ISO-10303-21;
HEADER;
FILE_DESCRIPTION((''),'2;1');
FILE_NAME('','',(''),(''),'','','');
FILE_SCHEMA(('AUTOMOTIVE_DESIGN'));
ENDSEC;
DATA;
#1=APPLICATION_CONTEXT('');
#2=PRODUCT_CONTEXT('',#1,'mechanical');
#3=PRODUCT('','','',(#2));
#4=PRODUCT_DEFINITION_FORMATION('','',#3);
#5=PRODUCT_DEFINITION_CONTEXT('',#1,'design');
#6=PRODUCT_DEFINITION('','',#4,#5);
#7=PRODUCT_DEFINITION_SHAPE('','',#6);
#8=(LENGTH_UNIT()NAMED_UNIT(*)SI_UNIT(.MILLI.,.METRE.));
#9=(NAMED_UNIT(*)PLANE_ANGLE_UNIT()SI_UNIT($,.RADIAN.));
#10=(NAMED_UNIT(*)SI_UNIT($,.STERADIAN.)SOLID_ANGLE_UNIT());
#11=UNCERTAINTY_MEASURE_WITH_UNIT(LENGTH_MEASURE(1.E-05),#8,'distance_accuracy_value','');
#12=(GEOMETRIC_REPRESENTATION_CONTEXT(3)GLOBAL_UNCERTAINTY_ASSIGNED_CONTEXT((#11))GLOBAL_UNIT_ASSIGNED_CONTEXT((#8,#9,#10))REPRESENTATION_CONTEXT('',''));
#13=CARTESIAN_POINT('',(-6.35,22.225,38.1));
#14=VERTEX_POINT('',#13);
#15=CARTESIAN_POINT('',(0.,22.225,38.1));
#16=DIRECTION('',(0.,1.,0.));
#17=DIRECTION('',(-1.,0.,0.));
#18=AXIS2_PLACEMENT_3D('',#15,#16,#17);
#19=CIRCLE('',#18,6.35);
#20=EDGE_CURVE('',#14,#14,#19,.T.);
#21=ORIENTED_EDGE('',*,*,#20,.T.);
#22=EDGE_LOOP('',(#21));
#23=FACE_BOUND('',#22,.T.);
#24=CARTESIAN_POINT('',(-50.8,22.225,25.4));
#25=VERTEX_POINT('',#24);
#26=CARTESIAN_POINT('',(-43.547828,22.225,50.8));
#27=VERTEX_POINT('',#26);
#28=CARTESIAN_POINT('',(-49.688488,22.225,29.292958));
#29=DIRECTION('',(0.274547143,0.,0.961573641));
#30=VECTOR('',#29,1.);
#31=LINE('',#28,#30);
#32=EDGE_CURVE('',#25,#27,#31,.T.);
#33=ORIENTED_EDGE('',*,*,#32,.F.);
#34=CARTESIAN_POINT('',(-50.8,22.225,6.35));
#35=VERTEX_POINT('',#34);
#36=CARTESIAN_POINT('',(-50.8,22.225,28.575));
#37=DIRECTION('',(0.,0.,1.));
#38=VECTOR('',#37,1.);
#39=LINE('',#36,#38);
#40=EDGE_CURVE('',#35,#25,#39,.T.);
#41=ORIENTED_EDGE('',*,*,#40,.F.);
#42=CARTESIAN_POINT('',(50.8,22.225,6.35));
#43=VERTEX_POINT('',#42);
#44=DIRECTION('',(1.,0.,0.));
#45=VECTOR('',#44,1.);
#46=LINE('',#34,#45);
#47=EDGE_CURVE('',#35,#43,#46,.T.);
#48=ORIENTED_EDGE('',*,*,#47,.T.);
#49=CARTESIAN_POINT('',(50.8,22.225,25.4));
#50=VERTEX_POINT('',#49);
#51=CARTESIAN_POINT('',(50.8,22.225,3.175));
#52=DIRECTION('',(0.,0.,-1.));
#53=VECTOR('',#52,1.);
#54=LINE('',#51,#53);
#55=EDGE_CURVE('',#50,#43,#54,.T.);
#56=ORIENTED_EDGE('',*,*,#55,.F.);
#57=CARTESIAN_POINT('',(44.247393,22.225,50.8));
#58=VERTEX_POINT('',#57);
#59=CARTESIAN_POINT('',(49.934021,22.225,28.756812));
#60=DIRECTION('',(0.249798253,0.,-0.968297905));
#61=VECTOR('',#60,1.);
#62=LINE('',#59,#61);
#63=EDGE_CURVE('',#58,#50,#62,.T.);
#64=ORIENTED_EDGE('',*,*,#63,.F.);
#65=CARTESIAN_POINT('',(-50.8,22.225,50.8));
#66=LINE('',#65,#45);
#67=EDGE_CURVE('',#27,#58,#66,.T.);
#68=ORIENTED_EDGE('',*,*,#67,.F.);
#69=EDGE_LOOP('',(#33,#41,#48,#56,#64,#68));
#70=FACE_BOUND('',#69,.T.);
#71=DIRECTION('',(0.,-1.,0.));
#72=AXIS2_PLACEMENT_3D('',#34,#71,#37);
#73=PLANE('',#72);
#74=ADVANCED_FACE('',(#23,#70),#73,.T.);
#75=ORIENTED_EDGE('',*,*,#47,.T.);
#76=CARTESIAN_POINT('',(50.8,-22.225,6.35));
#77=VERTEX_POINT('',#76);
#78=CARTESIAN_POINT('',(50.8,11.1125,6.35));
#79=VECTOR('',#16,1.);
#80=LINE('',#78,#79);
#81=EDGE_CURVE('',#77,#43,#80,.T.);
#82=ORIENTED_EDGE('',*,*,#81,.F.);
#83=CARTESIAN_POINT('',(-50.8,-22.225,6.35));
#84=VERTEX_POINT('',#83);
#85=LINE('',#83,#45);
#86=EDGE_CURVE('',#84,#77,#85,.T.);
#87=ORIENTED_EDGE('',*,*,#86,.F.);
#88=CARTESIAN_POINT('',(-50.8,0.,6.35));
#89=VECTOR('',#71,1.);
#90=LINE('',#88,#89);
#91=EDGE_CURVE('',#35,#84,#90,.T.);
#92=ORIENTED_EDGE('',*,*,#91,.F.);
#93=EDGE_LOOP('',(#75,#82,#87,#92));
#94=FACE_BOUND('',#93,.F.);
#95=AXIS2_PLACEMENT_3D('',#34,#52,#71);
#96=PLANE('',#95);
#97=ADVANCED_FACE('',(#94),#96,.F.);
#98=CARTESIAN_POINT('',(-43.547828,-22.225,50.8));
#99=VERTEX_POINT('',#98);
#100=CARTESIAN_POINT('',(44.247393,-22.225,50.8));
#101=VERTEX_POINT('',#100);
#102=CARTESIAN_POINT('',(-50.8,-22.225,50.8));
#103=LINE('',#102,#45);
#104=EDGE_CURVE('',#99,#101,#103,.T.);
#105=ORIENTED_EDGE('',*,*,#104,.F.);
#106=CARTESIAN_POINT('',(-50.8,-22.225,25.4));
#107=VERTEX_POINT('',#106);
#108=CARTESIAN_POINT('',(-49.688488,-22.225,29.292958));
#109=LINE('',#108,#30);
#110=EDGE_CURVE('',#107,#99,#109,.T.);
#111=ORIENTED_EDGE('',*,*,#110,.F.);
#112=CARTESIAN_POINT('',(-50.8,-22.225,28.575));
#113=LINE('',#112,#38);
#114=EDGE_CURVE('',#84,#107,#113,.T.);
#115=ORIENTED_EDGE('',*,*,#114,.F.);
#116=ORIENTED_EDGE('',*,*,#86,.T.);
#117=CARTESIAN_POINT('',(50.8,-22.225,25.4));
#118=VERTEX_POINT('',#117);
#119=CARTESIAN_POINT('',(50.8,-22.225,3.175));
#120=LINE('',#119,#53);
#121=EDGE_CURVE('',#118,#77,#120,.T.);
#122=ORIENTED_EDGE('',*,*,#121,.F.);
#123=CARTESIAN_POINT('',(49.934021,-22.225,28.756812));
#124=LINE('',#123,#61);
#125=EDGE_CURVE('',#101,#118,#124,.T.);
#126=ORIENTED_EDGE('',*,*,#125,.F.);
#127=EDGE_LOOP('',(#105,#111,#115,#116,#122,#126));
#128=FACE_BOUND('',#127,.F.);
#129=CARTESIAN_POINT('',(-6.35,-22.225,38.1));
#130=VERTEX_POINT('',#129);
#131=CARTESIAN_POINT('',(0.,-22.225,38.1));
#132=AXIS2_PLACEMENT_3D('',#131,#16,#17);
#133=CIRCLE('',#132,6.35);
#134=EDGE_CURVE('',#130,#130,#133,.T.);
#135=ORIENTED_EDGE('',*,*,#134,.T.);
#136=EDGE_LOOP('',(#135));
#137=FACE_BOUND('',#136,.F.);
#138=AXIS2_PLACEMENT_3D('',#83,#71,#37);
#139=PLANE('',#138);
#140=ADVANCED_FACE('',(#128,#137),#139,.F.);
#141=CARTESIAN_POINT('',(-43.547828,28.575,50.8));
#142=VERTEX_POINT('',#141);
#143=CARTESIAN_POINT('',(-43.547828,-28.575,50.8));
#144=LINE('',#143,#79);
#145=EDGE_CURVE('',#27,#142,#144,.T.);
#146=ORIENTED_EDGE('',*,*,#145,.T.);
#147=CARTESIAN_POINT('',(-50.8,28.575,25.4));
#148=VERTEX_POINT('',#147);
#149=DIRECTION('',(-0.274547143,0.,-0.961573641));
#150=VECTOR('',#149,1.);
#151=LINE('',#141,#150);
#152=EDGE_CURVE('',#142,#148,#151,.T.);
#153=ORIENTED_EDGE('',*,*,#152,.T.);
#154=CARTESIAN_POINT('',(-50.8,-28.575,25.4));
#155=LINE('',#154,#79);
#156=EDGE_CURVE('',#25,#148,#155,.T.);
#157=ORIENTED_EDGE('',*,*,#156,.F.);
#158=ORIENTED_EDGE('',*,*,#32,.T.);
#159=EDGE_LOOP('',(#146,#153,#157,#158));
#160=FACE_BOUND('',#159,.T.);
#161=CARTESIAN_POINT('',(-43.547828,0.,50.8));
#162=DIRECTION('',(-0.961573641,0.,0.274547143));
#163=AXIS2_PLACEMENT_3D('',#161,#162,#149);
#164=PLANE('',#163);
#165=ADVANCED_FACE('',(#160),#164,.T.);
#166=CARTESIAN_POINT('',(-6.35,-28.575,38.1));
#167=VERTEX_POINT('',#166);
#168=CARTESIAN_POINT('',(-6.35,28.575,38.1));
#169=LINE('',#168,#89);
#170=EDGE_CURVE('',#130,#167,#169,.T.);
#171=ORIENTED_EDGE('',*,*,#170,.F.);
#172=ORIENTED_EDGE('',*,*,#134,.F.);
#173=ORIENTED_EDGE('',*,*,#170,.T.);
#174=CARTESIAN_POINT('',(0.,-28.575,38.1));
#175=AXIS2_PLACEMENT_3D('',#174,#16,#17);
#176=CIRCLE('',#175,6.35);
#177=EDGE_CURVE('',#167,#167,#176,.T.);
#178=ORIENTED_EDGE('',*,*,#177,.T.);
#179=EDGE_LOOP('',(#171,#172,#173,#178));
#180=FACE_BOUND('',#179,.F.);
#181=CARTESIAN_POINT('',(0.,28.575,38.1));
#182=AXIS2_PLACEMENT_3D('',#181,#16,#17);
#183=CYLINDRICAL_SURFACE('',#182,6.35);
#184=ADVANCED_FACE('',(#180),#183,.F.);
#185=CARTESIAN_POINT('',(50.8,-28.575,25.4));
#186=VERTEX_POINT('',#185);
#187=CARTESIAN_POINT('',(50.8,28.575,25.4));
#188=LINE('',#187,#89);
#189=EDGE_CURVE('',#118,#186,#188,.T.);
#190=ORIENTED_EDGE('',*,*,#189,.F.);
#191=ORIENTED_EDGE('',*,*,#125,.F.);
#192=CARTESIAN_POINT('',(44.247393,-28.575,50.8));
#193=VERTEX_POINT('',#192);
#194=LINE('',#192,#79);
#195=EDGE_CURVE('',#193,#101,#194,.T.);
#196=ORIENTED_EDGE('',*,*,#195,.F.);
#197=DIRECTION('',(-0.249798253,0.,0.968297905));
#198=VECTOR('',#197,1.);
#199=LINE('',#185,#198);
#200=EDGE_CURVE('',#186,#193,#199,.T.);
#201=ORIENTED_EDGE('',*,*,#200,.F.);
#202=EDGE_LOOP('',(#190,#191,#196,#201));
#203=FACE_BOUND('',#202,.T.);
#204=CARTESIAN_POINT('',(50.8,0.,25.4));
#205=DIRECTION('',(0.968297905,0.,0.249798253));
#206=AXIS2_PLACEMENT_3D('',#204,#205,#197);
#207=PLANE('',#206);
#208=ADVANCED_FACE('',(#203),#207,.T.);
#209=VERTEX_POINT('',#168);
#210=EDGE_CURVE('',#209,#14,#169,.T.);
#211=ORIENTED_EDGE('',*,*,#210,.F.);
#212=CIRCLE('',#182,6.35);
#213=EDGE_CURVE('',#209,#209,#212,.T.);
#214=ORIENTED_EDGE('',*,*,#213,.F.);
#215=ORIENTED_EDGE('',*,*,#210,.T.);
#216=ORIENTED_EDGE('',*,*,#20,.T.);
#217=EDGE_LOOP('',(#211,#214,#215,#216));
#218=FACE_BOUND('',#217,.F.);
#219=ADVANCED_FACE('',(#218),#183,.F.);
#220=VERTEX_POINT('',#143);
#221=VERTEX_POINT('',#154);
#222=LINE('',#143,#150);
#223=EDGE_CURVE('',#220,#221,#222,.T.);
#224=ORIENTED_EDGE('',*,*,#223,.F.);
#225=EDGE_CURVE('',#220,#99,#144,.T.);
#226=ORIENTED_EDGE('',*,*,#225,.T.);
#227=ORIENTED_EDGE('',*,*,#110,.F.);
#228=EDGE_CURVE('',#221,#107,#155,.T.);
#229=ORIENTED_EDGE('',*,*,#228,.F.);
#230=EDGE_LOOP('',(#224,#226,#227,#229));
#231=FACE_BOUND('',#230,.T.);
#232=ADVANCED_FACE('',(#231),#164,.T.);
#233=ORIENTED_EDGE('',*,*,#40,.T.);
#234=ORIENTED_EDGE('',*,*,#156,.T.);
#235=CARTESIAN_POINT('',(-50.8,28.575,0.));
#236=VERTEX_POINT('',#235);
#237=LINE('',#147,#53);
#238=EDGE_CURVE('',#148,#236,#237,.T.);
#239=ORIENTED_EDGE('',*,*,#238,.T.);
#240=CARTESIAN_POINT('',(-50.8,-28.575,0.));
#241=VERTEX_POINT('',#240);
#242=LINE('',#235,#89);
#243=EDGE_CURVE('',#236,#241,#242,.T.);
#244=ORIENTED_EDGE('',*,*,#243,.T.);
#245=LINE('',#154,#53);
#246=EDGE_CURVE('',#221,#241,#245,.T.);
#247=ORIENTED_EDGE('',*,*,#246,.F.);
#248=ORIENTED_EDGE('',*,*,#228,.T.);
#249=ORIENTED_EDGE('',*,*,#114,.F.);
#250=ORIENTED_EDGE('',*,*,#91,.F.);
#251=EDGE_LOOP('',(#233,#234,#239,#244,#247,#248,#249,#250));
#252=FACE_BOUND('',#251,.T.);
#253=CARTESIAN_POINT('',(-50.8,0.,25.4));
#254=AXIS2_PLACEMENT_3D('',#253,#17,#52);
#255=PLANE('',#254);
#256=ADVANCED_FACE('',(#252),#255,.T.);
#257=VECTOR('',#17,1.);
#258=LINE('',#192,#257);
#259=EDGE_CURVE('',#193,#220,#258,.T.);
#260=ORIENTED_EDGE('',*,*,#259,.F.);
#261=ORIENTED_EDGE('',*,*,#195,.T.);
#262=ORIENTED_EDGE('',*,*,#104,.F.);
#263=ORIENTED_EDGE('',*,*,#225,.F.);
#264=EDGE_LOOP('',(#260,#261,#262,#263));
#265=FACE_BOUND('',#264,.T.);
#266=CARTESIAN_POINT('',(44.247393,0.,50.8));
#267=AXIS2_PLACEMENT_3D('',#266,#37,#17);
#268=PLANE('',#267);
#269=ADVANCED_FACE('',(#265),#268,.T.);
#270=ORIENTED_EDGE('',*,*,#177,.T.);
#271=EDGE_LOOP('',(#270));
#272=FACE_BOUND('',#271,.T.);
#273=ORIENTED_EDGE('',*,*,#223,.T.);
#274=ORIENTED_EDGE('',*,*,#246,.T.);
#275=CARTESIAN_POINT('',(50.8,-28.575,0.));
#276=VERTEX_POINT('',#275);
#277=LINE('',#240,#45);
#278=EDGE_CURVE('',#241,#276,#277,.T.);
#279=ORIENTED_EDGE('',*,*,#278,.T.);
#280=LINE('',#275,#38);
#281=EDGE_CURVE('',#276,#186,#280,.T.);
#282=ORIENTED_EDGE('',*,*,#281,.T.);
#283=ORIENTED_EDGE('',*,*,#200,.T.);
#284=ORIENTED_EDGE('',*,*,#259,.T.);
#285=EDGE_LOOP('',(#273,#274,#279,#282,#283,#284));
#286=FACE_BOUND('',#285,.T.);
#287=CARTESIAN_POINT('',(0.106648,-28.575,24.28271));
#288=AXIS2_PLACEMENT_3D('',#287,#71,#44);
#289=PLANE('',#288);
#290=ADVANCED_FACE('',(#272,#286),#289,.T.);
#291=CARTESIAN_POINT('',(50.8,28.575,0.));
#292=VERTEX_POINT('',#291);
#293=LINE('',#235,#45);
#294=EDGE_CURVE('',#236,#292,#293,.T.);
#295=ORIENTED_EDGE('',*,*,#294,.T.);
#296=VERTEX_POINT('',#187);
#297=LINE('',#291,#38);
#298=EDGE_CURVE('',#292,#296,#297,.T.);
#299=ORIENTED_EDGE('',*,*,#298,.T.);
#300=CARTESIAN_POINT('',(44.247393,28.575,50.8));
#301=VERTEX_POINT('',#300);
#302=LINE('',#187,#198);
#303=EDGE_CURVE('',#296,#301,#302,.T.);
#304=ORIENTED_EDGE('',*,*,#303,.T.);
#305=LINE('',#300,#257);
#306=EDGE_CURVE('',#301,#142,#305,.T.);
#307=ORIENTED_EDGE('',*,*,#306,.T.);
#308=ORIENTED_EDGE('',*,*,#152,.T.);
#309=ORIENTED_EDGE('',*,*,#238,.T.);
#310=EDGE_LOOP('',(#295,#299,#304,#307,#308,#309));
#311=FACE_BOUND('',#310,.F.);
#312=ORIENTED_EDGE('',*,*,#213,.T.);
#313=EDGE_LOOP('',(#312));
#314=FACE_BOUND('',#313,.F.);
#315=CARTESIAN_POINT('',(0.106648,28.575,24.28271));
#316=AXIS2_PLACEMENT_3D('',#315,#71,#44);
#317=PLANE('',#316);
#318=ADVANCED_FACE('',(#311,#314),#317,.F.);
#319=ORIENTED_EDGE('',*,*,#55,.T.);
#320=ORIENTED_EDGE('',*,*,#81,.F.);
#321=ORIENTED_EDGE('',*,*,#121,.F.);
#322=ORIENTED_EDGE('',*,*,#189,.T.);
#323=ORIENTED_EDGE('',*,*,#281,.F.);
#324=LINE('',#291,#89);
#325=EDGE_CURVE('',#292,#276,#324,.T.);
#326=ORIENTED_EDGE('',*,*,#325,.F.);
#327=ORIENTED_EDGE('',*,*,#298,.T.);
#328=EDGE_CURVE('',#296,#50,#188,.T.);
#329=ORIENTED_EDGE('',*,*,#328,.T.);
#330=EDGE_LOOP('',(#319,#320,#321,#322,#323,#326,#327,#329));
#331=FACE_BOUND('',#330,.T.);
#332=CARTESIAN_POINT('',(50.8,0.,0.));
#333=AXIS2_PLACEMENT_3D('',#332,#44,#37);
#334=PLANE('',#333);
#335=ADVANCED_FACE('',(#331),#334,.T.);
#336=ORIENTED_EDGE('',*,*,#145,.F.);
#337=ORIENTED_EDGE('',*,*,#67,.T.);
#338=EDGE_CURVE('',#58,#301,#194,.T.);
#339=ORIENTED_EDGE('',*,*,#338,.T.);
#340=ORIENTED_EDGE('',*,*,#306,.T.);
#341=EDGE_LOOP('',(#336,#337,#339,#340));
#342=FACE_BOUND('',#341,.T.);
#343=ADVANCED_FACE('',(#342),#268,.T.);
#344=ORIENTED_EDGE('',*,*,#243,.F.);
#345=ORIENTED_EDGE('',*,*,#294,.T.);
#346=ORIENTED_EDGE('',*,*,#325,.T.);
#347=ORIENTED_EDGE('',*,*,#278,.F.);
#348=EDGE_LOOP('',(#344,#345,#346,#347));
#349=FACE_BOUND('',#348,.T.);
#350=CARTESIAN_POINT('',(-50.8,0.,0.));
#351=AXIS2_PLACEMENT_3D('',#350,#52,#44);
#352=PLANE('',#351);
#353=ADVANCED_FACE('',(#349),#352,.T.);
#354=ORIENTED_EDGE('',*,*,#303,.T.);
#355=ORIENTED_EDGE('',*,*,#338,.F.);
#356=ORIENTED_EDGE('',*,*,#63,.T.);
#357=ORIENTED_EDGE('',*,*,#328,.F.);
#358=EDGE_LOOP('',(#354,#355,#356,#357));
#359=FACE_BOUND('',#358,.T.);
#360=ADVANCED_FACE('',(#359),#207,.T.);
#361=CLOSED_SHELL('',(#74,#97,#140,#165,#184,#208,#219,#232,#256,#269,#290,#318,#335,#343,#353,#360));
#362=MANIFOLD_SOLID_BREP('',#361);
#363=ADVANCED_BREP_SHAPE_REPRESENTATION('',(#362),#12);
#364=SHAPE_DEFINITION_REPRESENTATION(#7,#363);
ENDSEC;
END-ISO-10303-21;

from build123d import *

# Parameters (mm, degrees)
F1_DEPTH = 28.575
F2_W     = 44.45
F2_H     = 44.45
F3_DEPTH = 127
F4_R     = 6.35
F5_DEPTH = 57.151


with BuildPart() as f1:
    # F0 (on Front) → F1 (new body, symmetric)
    with BuildSketch(Plane.XZ):
        Polygon((-50.8, 25.4), (-50.8, 0), (50.8, 0), (50.8, 25.4), (44.247393, 50.8), (-43.547828, 50.8), align=None)
    extrude(amount=F1_DEPTH, both=True)

    # F2 (on face) → F3 (cut)
    with BuildSketch(Plane(origin=(-50.8, 0, 0), x_dir=(0, -1, 0), z_dir=(-1, 0, 0))):
        with Locations((0, 28.575)):
            Rectangle(F2_W, F2_H)
    extrude(amount=-F3_DEPTH, mode=Mode.SUBTRACT)

    # F4 (on face) → F5 (cut, through all)
    with BuildSketch(Plane(origin=(0, 28.575, 0), x_dir=(-1, 0, 0), z_dir=(0, 1, 0))):
        with Locations((0, 38.1)):
            Circle(F4_R)
    extrude(amount=-F5_DEPTH, mode=Mode.SUBTRACT)


solid = f1.part
